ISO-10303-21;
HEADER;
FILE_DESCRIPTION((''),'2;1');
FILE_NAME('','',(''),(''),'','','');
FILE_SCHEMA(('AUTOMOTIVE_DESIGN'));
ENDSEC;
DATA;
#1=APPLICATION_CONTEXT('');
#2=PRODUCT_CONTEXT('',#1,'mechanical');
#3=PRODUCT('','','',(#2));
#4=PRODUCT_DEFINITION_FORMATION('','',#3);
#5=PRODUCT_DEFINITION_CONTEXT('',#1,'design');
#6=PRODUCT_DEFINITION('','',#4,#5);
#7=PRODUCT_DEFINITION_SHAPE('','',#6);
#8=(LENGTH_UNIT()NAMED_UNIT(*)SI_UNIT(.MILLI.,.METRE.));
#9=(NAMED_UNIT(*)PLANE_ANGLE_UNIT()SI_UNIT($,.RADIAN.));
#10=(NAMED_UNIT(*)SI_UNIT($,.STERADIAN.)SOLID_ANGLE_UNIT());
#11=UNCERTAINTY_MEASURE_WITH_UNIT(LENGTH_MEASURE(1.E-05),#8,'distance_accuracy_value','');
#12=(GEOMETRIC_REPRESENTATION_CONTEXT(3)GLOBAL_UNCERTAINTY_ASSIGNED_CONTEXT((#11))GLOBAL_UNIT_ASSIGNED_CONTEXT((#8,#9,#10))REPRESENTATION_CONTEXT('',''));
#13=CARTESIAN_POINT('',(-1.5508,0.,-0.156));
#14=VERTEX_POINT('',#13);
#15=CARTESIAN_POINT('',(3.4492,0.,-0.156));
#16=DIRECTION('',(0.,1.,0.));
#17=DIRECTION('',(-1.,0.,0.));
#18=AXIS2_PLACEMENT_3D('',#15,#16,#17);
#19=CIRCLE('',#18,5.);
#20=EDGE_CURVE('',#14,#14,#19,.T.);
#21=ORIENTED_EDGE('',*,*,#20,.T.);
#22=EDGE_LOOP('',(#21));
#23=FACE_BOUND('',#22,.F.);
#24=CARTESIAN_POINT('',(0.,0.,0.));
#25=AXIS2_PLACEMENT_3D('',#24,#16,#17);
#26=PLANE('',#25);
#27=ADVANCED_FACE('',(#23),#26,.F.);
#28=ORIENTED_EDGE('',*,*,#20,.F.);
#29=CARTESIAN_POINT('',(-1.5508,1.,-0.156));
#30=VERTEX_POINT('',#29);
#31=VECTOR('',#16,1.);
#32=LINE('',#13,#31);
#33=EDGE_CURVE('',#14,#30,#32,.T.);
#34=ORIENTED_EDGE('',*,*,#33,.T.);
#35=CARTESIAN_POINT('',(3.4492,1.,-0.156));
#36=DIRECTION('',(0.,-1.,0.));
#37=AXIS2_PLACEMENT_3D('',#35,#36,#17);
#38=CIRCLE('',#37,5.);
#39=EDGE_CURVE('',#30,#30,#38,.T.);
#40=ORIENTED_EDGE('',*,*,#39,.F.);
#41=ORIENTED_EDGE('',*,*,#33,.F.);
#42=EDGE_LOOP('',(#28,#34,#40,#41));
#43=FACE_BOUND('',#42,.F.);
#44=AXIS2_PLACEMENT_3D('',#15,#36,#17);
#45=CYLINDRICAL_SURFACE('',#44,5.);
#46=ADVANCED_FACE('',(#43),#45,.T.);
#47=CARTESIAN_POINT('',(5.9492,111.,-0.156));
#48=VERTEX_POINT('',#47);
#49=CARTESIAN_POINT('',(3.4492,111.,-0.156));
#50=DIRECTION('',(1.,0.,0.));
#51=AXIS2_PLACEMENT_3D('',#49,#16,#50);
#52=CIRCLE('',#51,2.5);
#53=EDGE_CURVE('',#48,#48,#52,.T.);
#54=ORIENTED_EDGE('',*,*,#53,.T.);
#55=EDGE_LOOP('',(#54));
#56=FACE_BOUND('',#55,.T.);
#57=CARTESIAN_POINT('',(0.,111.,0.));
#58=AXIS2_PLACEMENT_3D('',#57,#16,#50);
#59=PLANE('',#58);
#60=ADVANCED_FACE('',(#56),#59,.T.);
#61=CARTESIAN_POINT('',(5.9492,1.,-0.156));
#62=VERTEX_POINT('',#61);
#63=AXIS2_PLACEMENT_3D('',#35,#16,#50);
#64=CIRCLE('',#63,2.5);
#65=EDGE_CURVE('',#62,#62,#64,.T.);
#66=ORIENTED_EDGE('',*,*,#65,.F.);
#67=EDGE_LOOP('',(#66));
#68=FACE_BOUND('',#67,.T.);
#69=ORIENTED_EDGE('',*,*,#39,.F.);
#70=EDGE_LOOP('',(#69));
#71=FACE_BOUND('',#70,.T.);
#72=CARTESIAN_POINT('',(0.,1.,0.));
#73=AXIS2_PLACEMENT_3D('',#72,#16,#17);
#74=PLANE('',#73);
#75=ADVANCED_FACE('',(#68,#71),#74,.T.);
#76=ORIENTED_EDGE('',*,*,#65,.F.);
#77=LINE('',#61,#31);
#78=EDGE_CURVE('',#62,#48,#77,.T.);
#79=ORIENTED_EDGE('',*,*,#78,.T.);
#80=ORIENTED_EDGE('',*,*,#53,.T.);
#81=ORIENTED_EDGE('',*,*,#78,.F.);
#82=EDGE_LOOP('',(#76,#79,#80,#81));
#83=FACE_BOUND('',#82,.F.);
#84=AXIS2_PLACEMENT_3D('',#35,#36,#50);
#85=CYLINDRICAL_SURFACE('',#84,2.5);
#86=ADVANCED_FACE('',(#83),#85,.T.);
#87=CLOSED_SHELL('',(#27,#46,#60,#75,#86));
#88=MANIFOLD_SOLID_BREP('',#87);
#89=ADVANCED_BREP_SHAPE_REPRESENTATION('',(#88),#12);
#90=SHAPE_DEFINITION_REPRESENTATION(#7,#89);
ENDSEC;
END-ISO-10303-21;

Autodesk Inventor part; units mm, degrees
ref_plane "YZ Plane" through (0, 0, 0) normal (1, 0, 0) x (0, 1, 0)
ref_plane "XZ Plane" through (0, 0, 0) normal (0, 1, 0) x (-1, 0, 0)
ref_plane "XY Plane" through (0, 0, 0) normal (0, 0, 1) x (1, 0, 0)
sketch "Sketch1" plane through (0, 0, 0) normal (0, 1, 0) x (-1, 0, 0)
  line L0 (-9.9492, -0.156) -> (-3.4492, -0.156)
  circle A0 centre (-3.4492, -0.156) radius 5
  point P0 (0, 0)
  dimension "d10" = 10
extrude "Extrusion1" add sketch "Sketch1" along normal blind 1
sketch "Sketch2" plane through (0, 1, 0) normal (0, 1, 0) x (1, 0, 0)
  line L0 (-3.0508, -6.344) -> (9.9492, -6.344) projected
  circle A0 centre (3.4492, 0.156) radius 2.5
  point P0 (0, 0)
  dimension "d5" = 5
extrude "Extrusion2" add sketch "Sketch2" along normal blind 110
thread "Thread1" size "M5x0.8" class "6g" standard "ANSI Metric M Profile" full length
properties part number "rod" material "Steel"
